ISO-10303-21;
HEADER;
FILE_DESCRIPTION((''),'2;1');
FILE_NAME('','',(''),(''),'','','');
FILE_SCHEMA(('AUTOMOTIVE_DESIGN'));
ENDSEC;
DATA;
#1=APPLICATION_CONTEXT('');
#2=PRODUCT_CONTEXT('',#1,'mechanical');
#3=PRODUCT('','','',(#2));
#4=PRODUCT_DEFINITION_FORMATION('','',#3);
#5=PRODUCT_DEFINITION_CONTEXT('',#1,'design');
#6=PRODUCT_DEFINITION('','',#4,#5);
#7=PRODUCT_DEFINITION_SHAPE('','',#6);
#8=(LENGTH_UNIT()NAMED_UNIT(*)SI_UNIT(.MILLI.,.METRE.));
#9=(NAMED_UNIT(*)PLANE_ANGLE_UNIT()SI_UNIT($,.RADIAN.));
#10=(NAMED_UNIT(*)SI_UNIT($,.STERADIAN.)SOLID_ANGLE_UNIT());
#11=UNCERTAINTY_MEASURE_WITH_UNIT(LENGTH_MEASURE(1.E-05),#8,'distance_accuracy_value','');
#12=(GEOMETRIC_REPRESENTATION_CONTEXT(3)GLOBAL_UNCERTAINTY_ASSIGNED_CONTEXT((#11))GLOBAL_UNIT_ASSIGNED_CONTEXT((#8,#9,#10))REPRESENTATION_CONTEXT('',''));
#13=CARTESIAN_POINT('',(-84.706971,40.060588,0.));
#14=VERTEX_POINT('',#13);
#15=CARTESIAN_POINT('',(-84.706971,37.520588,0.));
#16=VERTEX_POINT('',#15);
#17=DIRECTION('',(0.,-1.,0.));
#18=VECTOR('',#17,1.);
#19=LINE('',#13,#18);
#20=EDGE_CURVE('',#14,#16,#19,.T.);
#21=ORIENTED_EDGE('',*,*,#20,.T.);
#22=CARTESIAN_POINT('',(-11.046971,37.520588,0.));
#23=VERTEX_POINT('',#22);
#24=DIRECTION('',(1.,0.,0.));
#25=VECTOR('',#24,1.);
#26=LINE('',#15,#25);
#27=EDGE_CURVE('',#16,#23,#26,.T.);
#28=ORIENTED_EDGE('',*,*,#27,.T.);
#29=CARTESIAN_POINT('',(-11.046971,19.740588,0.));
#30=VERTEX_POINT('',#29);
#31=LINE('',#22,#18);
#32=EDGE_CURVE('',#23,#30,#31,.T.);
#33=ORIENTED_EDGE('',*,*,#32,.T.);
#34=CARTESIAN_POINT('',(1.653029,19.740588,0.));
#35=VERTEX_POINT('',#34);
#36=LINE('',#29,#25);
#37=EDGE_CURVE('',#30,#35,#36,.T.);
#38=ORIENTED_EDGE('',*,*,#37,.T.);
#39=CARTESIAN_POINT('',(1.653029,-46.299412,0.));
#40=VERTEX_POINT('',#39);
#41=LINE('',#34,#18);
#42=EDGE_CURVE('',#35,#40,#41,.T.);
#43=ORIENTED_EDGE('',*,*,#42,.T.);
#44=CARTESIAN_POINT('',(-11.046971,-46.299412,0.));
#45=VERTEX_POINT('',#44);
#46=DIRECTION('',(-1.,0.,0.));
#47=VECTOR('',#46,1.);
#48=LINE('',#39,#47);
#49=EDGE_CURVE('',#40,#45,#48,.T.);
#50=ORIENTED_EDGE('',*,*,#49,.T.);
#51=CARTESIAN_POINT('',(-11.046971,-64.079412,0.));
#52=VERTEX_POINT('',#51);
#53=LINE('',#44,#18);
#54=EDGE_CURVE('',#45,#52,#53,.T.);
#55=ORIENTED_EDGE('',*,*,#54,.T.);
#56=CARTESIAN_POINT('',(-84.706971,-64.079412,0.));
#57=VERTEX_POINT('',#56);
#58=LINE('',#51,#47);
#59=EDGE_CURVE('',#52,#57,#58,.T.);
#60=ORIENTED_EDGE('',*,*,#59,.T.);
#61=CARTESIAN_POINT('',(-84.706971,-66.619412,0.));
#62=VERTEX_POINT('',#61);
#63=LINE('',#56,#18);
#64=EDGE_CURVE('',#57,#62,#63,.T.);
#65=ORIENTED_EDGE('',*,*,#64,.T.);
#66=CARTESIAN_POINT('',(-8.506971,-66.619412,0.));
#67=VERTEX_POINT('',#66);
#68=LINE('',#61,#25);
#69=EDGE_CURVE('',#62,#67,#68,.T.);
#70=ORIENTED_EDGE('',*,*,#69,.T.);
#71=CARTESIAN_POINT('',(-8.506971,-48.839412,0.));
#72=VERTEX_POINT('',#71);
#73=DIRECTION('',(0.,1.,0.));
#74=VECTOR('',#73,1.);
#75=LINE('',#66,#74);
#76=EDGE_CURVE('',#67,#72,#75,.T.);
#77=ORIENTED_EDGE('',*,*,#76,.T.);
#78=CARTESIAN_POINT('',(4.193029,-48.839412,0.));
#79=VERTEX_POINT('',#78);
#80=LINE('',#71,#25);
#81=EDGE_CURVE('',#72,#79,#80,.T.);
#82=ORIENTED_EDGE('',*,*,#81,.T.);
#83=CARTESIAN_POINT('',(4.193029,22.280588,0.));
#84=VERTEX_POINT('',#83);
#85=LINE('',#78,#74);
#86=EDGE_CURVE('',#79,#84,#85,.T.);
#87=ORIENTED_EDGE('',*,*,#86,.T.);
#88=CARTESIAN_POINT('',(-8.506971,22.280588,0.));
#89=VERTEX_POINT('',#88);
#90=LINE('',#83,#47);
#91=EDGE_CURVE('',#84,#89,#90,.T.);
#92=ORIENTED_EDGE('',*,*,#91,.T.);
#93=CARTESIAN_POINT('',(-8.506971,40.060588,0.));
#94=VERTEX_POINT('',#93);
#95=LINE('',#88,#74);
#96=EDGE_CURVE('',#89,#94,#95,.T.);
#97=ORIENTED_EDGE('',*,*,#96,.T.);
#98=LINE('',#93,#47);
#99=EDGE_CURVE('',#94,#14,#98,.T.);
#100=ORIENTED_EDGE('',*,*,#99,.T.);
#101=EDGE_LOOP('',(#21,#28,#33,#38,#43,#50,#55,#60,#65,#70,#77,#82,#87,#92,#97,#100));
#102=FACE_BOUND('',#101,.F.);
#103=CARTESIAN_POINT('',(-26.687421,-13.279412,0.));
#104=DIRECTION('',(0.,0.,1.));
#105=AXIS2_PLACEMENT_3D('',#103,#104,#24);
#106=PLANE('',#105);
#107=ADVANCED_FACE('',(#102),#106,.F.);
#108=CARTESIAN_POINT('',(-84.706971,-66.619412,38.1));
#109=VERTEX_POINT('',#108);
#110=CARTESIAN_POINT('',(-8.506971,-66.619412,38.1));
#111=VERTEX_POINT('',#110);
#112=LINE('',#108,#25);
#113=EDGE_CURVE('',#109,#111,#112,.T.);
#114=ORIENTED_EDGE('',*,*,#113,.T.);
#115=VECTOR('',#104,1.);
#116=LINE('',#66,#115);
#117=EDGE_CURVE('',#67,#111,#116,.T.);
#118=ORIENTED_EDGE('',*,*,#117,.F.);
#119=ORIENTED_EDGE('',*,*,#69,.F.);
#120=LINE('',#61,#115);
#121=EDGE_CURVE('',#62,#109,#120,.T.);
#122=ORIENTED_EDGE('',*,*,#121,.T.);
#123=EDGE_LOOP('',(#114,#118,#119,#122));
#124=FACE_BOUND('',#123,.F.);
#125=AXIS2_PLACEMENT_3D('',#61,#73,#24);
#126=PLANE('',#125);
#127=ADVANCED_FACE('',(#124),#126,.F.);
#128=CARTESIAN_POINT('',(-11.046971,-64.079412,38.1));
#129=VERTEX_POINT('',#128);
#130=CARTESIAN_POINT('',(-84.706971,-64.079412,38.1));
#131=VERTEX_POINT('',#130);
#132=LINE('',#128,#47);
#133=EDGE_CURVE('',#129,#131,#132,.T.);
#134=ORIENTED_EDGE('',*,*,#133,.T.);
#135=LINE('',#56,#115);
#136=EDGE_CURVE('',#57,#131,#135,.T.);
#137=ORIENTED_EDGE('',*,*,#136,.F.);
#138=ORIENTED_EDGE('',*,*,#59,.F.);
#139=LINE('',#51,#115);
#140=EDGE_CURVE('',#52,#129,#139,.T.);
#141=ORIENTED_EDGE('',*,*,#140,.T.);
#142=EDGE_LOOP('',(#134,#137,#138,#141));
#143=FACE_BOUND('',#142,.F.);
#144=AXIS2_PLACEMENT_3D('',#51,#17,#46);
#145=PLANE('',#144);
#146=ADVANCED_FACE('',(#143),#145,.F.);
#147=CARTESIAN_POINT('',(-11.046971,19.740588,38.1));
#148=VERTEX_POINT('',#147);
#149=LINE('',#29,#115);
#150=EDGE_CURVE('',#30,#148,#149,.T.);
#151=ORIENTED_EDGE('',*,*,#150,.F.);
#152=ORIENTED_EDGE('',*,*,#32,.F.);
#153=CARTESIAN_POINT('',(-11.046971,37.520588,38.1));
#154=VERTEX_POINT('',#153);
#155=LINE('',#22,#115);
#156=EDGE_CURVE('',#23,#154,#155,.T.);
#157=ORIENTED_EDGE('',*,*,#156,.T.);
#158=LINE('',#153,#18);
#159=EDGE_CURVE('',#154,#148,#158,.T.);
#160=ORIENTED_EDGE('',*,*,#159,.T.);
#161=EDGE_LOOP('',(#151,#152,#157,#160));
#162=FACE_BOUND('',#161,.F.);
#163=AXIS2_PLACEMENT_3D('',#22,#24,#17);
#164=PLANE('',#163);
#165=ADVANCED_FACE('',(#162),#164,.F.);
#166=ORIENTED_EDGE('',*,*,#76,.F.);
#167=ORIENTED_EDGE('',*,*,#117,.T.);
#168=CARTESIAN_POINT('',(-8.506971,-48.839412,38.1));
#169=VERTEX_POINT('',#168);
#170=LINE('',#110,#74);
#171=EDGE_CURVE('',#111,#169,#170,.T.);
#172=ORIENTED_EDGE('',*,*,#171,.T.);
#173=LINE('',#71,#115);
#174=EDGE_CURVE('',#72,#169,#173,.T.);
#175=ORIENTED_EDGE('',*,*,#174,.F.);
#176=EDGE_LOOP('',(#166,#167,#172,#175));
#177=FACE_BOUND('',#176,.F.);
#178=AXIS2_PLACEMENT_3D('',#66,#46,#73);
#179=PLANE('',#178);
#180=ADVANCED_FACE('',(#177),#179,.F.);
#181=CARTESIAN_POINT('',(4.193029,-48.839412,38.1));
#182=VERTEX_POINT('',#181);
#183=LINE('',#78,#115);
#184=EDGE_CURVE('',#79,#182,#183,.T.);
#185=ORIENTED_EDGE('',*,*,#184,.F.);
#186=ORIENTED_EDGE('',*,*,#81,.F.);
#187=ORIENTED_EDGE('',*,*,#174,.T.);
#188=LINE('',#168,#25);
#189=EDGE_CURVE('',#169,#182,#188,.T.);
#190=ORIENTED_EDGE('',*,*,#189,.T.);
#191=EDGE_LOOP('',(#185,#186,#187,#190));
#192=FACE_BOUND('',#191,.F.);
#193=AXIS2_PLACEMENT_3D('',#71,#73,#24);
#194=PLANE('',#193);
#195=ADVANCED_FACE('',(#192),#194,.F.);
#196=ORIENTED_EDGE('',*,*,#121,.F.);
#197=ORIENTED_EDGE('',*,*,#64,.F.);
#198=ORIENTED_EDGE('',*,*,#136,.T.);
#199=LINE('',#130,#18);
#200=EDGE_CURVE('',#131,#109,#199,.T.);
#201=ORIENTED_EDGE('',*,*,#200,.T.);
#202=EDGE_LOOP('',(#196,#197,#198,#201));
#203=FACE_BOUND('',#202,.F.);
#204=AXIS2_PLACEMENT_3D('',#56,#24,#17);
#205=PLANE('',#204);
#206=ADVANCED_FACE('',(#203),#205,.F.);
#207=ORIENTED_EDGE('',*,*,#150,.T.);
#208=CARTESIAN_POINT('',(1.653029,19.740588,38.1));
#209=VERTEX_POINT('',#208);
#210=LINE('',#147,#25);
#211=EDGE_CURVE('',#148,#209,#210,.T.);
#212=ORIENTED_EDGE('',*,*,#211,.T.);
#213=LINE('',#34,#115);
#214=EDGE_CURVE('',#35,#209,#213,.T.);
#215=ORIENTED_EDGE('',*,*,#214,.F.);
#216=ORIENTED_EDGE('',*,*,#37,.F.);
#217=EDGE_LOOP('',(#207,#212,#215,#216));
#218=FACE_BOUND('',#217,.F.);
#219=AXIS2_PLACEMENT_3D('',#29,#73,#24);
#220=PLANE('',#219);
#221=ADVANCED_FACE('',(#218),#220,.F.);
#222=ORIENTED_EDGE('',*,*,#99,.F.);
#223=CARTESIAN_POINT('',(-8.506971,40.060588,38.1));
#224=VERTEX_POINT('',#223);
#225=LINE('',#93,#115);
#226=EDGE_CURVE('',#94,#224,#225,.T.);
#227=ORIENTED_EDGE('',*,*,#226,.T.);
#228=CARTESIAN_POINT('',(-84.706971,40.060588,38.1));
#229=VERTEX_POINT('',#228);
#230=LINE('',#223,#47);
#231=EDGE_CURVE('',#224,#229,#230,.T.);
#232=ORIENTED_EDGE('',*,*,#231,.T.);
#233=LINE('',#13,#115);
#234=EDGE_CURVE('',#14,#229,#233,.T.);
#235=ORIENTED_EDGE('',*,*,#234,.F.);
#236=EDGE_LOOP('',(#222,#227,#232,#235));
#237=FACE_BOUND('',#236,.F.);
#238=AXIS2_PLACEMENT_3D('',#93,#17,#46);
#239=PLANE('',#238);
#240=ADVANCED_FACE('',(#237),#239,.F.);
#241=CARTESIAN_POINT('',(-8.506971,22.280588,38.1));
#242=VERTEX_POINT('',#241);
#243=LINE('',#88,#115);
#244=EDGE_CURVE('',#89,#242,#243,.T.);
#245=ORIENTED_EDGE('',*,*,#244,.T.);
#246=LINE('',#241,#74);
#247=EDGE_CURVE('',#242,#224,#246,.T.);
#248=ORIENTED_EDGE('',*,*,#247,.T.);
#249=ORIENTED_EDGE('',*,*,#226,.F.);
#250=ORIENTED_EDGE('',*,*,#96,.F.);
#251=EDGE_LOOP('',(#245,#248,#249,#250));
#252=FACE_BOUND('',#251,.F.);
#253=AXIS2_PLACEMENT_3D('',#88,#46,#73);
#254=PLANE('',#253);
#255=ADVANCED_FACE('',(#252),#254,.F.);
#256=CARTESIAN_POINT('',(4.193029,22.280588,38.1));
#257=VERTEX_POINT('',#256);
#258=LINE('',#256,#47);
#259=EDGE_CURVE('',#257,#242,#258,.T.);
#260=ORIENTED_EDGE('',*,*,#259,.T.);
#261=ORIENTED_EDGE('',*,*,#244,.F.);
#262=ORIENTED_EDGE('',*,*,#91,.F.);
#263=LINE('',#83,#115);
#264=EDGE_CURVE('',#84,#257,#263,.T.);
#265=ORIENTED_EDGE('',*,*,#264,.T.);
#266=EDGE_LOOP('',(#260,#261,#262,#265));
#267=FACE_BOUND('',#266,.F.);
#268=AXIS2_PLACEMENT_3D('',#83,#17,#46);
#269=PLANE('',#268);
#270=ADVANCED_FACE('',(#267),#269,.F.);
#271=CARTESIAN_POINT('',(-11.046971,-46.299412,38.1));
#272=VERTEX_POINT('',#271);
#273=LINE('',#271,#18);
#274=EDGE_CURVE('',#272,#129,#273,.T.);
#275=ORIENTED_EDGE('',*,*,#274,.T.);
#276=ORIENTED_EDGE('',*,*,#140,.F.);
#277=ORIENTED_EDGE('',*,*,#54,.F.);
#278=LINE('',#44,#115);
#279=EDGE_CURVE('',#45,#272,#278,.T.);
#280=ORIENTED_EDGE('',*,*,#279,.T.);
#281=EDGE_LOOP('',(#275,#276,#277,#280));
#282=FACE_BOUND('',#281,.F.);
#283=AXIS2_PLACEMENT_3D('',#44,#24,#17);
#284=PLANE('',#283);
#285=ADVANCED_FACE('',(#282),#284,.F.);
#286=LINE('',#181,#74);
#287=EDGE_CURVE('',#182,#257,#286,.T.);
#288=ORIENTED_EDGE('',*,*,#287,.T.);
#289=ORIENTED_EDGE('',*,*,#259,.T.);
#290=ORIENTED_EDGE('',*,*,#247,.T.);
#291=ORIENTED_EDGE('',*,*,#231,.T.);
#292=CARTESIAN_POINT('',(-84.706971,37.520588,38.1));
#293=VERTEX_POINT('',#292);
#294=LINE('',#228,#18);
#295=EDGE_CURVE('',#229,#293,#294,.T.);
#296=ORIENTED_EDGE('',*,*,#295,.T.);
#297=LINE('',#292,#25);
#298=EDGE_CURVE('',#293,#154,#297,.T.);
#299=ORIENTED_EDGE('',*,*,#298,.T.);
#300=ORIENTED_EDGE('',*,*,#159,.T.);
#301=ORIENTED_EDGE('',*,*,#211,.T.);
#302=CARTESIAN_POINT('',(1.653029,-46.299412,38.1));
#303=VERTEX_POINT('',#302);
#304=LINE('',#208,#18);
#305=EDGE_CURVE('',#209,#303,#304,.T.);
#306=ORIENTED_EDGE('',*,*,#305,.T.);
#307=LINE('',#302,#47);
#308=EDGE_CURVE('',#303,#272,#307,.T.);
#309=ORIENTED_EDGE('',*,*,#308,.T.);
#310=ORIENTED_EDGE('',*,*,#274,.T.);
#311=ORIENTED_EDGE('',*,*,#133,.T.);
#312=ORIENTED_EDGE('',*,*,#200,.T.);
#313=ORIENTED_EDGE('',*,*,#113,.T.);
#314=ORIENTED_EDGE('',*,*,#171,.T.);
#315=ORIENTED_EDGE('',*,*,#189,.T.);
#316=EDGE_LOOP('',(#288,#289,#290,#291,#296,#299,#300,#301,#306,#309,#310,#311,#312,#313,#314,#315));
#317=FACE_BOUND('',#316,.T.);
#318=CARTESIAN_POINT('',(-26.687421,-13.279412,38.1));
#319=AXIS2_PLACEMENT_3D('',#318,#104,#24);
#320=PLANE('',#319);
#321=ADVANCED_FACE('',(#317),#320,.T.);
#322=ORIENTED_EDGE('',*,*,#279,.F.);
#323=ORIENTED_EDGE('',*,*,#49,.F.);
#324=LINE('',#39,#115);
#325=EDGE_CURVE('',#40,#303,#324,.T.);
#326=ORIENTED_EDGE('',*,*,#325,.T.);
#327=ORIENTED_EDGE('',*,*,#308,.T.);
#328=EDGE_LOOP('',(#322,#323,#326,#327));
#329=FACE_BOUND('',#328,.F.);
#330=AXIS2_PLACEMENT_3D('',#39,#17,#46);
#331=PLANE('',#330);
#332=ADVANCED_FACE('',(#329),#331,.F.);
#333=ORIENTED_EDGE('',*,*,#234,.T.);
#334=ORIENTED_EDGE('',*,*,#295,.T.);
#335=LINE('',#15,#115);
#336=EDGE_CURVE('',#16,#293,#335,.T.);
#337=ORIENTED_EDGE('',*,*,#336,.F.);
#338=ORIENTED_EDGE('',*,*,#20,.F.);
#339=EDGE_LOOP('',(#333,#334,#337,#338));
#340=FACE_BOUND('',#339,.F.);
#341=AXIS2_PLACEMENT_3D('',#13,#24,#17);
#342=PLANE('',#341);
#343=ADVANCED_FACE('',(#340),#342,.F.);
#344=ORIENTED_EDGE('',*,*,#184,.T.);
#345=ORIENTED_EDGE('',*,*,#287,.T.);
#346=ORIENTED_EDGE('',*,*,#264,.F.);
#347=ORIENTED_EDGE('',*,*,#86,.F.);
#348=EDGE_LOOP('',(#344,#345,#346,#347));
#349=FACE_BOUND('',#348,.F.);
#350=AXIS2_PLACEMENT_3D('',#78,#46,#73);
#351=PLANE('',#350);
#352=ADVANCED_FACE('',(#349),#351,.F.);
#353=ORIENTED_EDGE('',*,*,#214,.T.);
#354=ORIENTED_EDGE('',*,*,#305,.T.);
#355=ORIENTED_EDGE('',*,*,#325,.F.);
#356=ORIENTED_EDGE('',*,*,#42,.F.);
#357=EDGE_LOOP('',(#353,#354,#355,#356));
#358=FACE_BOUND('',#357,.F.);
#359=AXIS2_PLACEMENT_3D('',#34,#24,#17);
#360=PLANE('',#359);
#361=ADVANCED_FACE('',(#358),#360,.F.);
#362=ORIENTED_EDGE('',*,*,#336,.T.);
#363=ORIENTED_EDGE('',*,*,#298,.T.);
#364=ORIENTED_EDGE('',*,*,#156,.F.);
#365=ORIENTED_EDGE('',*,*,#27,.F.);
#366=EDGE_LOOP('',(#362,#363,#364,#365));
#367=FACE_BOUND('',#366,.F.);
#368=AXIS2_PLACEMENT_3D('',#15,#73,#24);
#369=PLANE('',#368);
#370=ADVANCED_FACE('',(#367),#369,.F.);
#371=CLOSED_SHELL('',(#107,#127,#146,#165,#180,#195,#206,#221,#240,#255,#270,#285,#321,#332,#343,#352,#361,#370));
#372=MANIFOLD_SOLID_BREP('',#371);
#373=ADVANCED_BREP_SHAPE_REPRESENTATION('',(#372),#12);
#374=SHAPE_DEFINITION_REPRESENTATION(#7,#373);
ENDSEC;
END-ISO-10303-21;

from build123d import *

# Parameters (mm, degrees)
F1_DEPTH = 38.1


with BuildPart() as f1:
    # F0 (on Top) → F1 (new body)
    with BuildSketch(Plane.XY):
        Polygon((-8.506971, 40.060588), (-84.706971, 40.060588), (-84.706971, 37.520588), (-11.046971, 37.520588), (-11.046971, 19.740588), (1.653029, 19.740588), (1.653029, -46.299412), (-11.046971, -46.299412), (-11.046971, -64.079412), (-84.706971, -64.079412), (-84.706971, -66.619412), (-8.506971, -66.619412), (-8.506971, -48.839412), (4.193029, -48.839412), (4.193029, 22.280588), (-8.506971, 22.280588), align=None)
    extrude(amount=F1_DEPTH)


solid = f1.part
